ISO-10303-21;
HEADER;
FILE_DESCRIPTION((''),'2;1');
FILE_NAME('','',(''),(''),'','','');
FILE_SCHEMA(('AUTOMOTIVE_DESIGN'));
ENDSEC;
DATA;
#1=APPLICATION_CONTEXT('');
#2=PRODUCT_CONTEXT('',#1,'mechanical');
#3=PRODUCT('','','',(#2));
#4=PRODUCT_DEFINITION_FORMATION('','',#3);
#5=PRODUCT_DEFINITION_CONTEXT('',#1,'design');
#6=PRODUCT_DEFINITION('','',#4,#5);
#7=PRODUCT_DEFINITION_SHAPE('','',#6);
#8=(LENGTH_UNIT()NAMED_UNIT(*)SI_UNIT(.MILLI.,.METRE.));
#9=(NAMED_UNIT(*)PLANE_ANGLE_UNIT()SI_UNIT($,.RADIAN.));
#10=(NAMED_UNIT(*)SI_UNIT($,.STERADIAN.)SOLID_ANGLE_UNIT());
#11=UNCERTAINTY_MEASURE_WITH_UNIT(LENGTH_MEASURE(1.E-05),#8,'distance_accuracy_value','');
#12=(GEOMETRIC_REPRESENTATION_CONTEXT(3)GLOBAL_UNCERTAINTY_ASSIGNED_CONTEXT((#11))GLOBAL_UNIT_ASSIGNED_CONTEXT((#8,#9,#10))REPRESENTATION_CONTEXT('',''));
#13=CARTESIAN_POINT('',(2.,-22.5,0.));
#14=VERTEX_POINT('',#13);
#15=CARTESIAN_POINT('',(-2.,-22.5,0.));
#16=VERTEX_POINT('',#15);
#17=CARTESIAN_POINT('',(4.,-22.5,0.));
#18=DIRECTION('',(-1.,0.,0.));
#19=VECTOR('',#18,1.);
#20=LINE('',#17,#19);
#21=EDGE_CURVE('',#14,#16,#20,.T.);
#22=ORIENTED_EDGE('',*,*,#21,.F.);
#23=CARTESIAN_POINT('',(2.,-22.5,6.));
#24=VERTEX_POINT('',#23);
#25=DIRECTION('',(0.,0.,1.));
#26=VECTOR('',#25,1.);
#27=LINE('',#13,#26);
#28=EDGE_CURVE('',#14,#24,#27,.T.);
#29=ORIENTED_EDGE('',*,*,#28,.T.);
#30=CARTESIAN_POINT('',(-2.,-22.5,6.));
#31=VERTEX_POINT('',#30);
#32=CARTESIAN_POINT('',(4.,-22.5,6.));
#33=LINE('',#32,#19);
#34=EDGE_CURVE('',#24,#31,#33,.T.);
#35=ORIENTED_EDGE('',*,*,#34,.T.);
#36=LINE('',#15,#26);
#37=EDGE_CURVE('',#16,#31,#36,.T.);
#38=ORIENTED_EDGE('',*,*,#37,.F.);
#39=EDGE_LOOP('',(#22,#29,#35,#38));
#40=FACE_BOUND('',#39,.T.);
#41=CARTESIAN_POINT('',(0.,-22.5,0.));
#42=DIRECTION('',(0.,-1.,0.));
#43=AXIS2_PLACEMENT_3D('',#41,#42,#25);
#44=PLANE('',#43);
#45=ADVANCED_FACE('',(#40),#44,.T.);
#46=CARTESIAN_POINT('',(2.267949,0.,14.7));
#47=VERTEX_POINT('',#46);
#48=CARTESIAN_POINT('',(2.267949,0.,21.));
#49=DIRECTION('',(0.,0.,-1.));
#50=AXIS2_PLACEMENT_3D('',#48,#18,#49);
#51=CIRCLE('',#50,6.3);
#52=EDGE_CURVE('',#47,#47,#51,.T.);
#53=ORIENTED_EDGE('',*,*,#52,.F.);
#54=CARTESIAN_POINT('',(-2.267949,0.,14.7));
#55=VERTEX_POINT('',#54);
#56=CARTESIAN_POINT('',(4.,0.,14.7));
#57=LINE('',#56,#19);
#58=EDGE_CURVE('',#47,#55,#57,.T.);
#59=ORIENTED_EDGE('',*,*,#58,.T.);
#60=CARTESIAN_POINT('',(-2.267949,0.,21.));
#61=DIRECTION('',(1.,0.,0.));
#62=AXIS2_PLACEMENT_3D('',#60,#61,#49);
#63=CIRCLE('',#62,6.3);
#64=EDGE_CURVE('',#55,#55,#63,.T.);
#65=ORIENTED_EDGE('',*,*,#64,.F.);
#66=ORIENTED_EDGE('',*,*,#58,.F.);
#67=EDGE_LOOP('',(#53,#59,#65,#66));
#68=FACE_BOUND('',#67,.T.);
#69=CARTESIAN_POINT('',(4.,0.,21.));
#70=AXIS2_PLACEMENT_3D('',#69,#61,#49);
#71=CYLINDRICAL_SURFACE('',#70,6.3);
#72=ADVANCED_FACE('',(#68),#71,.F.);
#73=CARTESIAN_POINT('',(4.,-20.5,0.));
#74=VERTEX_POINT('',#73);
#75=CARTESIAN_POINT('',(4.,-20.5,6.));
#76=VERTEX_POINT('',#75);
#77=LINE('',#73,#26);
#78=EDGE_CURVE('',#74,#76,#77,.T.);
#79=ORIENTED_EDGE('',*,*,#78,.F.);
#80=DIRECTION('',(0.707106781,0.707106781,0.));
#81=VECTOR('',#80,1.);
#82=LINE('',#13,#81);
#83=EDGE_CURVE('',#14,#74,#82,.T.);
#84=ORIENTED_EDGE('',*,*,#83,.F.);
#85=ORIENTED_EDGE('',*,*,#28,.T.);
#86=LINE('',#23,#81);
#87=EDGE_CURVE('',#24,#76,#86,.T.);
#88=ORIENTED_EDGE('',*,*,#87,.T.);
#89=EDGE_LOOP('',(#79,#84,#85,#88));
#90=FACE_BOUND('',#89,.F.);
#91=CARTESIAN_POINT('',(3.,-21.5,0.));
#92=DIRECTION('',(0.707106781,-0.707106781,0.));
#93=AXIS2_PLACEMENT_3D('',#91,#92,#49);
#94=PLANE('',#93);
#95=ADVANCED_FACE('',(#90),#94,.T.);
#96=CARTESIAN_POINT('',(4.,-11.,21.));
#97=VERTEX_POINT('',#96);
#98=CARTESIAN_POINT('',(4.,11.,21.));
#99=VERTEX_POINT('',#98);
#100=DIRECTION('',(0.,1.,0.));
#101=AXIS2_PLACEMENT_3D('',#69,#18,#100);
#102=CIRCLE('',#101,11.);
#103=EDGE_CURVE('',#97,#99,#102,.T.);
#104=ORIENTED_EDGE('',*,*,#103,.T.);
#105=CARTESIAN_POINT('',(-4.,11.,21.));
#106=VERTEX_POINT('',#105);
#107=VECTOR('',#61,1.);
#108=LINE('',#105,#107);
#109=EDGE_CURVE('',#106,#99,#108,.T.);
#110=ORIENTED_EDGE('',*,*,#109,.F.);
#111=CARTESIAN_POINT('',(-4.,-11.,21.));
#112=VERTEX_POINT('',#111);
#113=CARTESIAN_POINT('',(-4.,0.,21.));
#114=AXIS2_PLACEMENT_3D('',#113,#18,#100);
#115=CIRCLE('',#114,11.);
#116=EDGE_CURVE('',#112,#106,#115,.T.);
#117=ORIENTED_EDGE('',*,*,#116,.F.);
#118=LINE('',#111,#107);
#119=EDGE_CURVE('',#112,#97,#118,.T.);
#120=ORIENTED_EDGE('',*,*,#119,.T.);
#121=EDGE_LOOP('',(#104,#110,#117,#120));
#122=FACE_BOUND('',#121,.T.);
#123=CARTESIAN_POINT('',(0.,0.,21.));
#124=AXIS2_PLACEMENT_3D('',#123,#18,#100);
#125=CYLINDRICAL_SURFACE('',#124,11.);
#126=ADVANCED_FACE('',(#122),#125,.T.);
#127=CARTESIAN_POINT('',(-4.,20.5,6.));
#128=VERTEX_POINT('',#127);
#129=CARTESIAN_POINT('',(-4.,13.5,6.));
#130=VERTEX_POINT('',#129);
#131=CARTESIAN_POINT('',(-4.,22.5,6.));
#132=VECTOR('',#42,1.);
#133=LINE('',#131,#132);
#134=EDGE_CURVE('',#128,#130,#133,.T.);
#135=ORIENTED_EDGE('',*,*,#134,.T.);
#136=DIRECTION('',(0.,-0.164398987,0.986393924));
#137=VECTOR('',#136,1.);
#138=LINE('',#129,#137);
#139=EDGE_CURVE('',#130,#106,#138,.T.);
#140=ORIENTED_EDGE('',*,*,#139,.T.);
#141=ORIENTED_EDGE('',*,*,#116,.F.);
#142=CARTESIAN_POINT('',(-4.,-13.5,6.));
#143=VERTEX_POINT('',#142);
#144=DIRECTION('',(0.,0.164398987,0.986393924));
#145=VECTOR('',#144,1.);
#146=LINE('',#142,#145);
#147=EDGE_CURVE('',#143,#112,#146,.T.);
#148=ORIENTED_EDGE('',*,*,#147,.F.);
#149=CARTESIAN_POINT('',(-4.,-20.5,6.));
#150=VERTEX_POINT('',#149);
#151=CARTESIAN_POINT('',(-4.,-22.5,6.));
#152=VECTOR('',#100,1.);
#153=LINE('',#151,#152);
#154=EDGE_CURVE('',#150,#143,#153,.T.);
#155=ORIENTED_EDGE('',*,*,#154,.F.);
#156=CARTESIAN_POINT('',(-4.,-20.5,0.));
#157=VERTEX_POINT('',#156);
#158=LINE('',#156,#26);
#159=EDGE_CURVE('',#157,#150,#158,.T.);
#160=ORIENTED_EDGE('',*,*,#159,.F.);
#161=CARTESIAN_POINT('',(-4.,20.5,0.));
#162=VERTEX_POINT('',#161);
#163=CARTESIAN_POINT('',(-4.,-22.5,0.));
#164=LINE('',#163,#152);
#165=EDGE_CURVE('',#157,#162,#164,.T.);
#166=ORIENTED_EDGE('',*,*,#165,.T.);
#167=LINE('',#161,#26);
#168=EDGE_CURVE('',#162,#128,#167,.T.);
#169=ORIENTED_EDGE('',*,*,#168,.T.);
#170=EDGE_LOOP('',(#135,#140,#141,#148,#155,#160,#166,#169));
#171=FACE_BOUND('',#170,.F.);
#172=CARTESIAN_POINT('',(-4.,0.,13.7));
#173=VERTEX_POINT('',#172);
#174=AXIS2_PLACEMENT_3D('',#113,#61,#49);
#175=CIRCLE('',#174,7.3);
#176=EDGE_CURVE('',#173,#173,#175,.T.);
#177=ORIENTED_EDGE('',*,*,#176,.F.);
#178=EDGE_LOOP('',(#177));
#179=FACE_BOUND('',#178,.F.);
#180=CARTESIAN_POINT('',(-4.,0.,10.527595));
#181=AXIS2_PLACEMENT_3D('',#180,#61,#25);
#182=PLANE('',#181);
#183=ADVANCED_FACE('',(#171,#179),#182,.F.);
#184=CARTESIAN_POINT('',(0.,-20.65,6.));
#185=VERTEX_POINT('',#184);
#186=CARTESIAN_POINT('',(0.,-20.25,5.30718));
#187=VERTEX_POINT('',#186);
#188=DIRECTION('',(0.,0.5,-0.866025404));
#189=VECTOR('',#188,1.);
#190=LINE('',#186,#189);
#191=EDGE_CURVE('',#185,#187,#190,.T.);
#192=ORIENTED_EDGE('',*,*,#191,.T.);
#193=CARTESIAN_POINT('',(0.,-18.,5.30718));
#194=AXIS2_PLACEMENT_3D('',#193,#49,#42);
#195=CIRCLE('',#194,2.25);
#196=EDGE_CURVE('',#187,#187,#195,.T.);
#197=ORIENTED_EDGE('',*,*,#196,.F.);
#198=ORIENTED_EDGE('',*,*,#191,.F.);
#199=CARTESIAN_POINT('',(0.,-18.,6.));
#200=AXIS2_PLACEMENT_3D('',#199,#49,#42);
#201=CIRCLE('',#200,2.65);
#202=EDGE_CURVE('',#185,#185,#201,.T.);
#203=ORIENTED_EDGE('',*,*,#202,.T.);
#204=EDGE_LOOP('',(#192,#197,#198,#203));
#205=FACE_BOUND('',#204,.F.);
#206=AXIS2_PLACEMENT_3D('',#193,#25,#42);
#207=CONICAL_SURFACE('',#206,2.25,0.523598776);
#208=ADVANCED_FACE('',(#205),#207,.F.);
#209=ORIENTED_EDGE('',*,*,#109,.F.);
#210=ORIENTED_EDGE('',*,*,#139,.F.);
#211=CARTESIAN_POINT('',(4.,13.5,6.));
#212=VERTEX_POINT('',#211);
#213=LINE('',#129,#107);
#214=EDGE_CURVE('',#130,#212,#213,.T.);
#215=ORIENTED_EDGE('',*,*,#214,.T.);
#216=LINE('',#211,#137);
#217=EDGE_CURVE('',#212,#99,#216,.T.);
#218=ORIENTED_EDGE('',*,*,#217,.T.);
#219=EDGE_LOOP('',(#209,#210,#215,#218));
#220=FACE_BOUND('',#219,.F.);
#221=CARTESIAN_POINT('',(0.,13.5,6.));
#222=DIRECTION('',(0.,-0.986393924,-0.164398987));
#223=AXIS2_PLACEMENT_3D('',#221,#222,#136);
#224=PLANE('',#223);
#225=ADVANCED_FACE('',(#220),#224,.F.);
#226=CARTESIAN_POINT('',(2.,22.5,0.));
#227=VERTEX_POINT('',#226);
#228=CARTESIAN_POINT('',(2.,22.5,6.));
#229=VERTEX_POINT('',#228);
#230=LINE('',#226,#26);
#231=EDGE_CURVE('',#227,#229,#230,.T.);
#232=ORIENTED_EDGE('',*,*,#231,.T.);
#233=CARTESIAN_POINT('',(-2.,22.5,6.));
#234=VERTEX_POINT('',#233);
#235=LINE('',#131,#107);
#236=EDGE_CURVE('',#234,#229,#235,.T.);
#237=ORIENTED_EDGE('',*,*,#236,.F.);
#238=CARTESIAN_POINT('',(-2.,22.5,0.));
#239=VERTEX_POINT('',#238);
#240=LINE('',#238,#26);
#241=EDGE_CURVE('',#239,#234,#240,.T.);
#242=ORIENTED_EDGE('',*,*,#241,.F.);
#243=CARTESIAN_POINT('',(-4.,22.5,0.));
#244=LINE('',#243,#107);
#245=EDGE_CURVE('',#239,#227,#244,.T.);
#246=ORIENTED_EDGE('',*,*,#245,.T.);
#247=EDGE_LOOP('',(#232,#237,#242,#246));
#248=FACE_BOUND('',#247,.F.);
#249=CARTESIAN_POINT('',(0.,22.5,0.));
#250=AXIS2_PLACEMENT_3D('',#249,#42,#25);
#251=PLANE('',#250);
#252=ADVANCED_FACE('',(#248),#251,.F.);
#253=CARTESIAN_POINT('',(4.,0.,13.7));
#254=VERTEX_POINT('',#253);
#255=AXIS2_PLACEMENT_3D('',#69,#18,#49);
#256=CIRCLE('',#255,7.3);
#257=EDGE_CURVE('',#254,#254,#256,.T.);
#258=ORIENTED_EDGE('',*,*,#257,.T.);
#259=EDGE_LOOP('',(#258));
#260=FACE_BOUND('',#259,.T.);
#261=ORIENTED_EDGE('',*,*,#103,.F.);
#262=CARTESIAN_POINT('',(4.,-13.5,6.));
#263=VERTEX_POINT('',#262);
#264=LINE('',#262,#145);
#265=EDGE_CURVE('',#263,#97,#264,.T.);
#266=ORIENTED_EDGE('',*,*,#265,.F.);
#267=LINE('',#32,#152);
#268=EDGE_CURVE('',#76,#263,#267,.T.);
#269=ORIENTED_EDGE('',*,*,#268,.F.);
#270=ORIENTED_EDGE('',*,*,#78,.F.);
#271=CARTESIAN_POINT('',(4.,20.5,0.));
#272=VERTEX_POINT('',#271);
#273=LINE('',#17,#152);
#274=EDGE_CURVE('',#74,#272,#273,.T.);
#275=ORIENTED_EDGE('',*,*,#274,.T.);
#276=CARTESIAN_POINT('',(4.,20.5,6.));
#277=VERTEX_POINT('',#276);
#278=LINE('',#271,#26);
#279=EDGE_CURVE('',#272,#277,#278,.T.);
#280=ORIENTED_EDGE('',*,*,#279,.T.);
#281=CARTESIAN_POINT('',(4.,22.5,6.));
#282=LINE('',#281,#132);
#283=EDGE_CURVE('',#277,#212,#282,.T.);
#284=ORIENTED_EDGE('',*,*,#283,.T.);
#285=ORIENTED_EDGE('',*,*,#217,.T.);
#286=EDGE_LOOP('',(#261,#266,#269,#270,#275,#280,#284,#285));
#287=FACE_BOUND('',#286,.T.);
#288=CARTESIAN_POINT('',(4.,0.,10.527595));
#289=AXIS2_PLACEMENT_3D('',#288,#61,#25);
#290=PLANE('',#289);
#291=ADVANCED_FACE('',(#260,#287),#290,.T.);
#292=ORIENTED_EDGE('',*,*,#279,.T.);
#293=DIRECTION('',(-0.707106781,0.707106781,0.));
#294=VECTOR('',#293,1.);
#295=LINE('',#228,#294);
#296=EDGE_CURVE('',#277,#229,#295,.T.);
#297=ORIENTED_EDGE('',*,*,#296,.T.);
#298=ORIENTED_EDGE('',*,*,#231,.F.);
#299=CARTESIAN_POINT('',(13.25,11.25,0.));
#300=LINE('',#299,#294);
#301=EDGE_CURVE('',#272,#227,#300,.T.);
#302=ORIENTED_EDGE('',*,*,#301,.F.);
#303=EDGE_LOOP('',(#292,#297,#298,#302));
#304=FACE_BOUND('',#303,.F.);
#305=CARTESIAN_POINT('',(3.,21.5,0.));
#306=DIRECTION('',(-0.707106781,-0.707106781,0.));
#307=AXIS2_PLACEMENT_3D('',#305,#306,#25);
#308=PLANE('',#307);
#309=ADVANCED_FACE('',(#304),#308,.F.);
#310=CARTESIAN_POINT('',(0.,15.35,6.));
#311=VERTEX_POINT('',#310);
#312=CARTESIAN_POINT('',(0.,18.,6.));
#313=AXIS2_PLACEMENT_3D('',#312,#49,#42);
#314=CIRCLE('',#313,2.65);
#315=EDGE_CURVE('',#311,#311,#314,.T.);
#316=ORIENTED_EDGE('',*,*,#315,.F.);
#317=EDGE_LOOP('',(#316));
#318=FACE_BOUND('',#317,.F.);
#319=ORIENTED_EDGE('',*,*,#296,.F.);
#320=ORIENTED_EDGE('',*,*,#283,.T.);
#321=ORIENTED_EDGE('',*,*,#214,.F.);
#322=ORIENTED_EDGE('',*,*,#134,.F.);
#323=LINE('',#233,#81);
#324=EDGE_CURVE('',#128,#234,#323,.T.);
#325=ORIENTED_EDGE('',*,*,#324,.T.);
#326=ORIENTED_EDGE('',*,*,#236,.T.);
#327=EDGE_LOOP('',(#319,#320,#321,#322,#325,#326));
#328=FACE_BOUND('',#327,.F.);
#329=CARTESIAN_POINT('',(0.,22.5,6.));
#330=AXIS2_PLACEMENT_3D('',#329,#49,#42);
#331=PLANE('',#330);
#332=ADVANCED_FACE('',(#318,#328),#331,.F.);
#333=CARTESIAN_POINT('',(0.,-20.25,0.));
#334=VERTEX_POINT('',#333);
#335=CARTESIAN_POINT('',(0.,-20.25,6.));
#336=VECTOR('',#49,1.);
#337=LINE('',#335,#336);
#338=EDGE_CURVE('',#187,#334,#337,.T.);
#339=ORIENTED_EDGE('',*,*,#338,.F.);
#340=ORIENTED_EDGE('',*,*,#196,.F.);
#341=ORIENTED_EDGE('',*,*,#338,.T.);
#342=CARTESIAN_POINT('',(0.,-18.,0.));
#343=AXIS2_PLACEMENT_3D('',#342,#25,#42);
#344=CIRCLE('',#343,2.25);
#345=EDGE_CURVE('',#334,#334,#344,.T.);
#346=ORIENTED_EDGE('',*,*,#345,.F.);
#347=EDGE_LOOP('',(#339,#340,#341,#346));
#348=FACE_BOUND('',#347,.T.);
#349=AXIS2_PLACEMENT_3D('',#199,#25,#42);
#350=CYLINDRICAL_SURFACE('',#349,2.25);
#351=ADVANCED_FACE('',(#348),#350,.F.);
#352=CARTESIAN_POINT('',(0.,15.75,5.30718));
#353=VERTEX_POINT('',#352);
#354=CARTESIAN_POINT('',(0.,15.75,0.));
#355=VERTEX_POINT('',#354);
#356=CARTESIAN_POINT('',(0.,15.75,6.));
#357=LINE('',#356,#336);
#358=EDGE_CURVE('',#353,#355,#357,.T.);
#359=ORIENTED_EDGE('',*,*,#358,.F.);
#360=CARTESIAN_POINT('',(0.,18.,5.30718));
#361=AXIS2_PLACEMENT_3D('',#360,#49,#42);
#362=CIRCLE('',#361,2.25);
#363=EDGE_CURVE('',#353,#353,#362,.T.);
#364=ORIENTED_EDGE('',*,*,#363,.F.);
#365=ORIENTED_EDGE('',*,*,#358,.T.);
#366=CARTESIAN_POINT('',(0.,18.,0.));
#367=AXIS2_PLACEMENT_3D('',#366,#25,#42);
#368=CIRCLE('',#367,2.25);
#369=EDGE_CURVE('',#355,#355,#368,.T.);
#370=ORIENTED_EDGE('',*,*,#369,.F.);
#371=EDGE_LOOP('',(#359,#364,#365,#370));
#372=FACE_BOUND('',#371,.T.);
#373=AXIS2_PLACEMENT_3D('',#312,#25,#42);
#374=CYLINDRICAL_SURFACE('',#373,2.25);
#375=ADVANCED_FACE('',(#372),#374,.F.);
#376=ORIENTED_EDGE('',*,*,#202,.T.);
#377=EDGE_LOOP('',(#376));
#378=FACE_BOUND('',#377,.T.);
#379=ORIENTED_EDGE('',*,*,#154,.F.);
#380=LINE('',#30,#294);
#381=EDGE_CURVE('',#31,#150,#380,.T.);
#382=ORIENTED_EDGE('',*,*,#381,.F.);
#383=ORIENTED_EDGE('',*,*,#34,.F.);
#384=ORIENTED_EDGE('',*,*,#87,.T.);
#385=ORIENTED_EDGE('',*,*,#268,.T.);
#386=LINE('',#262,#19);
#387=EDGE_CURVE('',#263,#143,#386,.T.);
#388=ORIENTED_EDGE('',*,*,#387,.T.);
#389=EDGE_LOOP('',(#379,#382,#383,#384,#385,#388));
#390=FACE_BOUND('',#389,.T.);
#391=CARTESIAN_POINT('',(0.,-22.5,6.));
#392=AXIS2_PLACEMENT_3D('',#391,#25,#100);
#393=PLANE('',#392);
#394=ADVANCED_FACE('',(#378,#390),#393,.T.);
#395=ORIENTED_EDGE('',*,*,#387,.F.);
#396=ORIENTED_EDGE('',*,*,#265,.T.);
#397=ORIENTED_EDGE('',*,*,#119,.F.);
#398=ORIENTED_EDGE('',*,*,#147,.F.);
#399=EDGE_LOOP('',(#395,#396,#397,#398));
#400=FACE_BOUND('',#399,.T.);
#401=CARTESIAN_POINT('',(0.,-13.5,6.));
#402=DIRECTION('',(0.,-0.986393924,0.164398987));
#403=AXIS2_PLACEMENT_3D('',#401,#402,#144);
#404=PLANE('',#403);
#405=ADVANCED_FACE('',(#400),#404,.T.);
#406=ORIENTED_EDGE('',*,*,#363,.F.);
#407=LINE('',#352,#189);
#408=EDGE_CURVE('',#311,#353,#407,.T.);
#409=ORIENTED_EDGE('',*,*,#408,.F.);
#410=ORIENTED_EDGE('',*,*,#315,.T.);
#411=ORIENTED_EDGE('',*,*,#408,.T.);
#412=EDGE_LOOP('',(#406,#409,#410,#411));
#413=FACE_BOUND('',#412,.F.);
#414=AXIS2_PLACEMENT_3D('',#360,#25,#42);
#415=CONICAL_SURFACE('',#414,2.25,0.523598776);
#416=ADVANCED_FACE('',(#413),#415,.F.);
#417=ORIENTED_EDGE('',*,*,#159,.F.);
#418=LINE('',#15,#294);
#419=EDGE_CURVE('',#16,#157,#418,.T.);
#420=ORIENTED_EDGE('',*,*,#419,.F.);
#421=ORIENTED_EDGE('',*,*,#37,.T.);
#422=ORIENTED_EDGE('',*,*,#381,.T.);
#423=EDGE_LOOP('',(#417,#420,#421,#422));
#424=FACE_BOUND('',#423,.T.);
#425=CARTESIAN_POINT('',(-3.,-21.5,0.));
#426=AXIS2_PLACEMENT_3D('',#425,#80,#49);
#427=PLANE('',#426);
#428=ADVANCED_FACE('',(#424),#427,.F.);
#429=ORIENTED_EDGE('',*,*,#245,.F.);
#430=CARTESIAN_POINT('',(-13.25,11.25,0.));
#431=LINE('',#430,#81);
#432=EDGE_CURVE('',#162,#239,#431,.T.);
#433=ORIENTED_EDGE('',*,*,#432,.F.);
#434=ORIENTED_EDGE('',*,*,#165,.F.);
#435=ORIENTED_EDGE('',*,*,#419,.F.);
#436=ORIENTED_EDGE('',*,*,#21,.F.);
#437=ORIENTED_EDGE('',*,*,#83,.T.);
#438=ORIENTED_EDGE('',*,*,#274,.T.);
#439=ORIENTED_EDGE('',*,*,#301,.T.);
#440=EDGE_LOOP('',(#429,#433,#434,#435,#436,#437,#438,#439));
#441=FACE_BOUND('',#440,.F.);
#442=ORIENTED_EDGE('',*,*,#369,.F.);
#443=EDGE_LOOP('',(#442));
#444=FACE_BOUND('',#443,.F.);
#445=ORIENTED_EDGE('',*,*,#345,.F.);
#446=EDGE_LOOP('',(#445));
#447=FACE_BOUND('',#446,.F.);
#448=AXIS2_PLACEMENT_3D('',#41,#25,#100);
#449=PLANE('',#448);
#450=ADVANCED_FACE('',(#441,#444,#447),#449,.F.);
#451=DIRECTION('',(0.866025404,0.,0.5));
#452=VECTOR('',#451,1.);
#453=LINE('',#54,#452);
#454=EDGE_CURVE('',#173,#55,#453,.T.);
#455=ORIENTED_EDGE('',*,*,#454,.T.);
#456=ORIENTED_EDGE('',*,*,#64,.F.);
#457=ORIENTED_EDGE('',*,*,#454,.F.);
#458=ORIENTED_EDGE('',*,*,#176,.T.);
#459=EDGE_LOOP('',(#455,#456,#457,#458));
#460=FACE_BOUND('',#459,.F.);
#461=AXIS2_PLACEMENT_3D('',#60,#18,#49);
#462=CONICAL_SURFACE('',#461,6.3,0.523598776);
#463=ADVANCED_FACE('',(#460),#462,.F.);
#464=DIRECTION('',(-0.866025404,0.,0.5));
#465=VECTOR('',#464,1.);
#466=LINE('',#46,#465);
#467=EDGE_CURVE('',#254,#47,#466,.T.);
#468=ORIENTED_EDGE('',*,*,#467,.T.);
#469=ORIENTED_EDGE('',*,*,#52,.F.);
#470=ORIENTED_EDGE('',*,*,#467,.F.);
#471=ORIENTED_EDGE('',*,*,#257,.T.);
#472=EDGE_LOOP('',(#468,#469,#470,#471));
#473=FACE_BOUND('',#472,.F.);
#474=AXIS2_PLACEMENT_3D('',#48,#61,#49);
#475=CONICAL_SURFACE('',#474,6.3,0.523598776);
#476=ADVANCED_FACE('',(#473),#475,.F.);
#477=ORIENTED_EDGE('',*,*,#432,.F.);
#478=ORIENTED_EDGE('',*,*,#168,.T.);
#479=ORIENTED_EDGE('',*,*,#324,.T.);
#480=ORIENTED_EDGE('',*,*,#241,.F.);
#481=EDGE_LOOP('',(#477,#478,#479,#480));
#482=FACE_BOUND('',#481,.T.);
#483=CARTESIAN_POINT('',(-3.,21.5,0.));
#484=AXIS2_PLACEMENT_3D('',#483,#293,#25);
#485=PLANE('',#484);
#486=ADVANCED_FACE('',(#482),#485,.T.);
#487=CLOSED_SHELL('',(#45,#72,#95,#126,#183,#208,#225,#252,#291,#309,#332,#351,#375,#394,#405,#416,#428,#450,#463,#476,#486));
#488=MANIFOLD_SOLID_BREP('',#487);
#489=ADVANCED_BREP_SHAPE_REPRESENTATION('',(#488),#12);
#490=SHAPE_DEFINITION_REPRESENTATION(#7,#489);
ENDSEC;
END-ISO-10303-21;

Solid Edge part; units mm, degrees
sketch "Sketch1" plane through (0, 0, 0) normal (1, 0, 0) x (0, 1, 0)
  line L0 (-22.5, 0) -> (22.5, 0)
  line L1 (22.5, 0) -> (22.5, 6)
  line L2 (22.5, 6) -> (13.5, 6)
  line L3 (13.5, 6) -> (11, 21)
  arc A0 (-11, 21) -> (11, 21) centre (0, 21) cw
  line L4 (-13.5, 6) -> (-11, 21)
  line L5 (-22.5, 6) -> (-13.5, 6)
  line L6 (-22.5, 0) -> (-22.5, 6)
  dimension "D1" = 45
  dimension "D2" = 9
  dimension "D3" = 6
  dimension "D4" = 11
  dimension "D5" = 15
extrude "Protrusion1" add sketch "Sketch1" along normal mid plane 8
hole "Hole_1" at (0, -18, 6) direction (0, 0, -1) diameter 4.5 end up to next start chamfer 0.4 start chamfer angle 30
hole "Hole1" at (0, 18, 6) direction (0, 0, -1) diameter 4.5 end up to next start chamfer 0.4 start chamfer angle 30
chamfer "Chamfer_1" distance 2 angle 45 4 edges at (4, -22.5, 3) (-4, -22.5, 3) (-4, 22.5, 3) (4, 22.5, 3)
hole "Hole_3" at (4, 0, 21) direction (-1, 0, 0) diameter 12.6 end up to next start chamfer 1 start chamfer angle 30 end chamfer 1 end chamfer angle 30
properties material "Polyethylene, low density"
